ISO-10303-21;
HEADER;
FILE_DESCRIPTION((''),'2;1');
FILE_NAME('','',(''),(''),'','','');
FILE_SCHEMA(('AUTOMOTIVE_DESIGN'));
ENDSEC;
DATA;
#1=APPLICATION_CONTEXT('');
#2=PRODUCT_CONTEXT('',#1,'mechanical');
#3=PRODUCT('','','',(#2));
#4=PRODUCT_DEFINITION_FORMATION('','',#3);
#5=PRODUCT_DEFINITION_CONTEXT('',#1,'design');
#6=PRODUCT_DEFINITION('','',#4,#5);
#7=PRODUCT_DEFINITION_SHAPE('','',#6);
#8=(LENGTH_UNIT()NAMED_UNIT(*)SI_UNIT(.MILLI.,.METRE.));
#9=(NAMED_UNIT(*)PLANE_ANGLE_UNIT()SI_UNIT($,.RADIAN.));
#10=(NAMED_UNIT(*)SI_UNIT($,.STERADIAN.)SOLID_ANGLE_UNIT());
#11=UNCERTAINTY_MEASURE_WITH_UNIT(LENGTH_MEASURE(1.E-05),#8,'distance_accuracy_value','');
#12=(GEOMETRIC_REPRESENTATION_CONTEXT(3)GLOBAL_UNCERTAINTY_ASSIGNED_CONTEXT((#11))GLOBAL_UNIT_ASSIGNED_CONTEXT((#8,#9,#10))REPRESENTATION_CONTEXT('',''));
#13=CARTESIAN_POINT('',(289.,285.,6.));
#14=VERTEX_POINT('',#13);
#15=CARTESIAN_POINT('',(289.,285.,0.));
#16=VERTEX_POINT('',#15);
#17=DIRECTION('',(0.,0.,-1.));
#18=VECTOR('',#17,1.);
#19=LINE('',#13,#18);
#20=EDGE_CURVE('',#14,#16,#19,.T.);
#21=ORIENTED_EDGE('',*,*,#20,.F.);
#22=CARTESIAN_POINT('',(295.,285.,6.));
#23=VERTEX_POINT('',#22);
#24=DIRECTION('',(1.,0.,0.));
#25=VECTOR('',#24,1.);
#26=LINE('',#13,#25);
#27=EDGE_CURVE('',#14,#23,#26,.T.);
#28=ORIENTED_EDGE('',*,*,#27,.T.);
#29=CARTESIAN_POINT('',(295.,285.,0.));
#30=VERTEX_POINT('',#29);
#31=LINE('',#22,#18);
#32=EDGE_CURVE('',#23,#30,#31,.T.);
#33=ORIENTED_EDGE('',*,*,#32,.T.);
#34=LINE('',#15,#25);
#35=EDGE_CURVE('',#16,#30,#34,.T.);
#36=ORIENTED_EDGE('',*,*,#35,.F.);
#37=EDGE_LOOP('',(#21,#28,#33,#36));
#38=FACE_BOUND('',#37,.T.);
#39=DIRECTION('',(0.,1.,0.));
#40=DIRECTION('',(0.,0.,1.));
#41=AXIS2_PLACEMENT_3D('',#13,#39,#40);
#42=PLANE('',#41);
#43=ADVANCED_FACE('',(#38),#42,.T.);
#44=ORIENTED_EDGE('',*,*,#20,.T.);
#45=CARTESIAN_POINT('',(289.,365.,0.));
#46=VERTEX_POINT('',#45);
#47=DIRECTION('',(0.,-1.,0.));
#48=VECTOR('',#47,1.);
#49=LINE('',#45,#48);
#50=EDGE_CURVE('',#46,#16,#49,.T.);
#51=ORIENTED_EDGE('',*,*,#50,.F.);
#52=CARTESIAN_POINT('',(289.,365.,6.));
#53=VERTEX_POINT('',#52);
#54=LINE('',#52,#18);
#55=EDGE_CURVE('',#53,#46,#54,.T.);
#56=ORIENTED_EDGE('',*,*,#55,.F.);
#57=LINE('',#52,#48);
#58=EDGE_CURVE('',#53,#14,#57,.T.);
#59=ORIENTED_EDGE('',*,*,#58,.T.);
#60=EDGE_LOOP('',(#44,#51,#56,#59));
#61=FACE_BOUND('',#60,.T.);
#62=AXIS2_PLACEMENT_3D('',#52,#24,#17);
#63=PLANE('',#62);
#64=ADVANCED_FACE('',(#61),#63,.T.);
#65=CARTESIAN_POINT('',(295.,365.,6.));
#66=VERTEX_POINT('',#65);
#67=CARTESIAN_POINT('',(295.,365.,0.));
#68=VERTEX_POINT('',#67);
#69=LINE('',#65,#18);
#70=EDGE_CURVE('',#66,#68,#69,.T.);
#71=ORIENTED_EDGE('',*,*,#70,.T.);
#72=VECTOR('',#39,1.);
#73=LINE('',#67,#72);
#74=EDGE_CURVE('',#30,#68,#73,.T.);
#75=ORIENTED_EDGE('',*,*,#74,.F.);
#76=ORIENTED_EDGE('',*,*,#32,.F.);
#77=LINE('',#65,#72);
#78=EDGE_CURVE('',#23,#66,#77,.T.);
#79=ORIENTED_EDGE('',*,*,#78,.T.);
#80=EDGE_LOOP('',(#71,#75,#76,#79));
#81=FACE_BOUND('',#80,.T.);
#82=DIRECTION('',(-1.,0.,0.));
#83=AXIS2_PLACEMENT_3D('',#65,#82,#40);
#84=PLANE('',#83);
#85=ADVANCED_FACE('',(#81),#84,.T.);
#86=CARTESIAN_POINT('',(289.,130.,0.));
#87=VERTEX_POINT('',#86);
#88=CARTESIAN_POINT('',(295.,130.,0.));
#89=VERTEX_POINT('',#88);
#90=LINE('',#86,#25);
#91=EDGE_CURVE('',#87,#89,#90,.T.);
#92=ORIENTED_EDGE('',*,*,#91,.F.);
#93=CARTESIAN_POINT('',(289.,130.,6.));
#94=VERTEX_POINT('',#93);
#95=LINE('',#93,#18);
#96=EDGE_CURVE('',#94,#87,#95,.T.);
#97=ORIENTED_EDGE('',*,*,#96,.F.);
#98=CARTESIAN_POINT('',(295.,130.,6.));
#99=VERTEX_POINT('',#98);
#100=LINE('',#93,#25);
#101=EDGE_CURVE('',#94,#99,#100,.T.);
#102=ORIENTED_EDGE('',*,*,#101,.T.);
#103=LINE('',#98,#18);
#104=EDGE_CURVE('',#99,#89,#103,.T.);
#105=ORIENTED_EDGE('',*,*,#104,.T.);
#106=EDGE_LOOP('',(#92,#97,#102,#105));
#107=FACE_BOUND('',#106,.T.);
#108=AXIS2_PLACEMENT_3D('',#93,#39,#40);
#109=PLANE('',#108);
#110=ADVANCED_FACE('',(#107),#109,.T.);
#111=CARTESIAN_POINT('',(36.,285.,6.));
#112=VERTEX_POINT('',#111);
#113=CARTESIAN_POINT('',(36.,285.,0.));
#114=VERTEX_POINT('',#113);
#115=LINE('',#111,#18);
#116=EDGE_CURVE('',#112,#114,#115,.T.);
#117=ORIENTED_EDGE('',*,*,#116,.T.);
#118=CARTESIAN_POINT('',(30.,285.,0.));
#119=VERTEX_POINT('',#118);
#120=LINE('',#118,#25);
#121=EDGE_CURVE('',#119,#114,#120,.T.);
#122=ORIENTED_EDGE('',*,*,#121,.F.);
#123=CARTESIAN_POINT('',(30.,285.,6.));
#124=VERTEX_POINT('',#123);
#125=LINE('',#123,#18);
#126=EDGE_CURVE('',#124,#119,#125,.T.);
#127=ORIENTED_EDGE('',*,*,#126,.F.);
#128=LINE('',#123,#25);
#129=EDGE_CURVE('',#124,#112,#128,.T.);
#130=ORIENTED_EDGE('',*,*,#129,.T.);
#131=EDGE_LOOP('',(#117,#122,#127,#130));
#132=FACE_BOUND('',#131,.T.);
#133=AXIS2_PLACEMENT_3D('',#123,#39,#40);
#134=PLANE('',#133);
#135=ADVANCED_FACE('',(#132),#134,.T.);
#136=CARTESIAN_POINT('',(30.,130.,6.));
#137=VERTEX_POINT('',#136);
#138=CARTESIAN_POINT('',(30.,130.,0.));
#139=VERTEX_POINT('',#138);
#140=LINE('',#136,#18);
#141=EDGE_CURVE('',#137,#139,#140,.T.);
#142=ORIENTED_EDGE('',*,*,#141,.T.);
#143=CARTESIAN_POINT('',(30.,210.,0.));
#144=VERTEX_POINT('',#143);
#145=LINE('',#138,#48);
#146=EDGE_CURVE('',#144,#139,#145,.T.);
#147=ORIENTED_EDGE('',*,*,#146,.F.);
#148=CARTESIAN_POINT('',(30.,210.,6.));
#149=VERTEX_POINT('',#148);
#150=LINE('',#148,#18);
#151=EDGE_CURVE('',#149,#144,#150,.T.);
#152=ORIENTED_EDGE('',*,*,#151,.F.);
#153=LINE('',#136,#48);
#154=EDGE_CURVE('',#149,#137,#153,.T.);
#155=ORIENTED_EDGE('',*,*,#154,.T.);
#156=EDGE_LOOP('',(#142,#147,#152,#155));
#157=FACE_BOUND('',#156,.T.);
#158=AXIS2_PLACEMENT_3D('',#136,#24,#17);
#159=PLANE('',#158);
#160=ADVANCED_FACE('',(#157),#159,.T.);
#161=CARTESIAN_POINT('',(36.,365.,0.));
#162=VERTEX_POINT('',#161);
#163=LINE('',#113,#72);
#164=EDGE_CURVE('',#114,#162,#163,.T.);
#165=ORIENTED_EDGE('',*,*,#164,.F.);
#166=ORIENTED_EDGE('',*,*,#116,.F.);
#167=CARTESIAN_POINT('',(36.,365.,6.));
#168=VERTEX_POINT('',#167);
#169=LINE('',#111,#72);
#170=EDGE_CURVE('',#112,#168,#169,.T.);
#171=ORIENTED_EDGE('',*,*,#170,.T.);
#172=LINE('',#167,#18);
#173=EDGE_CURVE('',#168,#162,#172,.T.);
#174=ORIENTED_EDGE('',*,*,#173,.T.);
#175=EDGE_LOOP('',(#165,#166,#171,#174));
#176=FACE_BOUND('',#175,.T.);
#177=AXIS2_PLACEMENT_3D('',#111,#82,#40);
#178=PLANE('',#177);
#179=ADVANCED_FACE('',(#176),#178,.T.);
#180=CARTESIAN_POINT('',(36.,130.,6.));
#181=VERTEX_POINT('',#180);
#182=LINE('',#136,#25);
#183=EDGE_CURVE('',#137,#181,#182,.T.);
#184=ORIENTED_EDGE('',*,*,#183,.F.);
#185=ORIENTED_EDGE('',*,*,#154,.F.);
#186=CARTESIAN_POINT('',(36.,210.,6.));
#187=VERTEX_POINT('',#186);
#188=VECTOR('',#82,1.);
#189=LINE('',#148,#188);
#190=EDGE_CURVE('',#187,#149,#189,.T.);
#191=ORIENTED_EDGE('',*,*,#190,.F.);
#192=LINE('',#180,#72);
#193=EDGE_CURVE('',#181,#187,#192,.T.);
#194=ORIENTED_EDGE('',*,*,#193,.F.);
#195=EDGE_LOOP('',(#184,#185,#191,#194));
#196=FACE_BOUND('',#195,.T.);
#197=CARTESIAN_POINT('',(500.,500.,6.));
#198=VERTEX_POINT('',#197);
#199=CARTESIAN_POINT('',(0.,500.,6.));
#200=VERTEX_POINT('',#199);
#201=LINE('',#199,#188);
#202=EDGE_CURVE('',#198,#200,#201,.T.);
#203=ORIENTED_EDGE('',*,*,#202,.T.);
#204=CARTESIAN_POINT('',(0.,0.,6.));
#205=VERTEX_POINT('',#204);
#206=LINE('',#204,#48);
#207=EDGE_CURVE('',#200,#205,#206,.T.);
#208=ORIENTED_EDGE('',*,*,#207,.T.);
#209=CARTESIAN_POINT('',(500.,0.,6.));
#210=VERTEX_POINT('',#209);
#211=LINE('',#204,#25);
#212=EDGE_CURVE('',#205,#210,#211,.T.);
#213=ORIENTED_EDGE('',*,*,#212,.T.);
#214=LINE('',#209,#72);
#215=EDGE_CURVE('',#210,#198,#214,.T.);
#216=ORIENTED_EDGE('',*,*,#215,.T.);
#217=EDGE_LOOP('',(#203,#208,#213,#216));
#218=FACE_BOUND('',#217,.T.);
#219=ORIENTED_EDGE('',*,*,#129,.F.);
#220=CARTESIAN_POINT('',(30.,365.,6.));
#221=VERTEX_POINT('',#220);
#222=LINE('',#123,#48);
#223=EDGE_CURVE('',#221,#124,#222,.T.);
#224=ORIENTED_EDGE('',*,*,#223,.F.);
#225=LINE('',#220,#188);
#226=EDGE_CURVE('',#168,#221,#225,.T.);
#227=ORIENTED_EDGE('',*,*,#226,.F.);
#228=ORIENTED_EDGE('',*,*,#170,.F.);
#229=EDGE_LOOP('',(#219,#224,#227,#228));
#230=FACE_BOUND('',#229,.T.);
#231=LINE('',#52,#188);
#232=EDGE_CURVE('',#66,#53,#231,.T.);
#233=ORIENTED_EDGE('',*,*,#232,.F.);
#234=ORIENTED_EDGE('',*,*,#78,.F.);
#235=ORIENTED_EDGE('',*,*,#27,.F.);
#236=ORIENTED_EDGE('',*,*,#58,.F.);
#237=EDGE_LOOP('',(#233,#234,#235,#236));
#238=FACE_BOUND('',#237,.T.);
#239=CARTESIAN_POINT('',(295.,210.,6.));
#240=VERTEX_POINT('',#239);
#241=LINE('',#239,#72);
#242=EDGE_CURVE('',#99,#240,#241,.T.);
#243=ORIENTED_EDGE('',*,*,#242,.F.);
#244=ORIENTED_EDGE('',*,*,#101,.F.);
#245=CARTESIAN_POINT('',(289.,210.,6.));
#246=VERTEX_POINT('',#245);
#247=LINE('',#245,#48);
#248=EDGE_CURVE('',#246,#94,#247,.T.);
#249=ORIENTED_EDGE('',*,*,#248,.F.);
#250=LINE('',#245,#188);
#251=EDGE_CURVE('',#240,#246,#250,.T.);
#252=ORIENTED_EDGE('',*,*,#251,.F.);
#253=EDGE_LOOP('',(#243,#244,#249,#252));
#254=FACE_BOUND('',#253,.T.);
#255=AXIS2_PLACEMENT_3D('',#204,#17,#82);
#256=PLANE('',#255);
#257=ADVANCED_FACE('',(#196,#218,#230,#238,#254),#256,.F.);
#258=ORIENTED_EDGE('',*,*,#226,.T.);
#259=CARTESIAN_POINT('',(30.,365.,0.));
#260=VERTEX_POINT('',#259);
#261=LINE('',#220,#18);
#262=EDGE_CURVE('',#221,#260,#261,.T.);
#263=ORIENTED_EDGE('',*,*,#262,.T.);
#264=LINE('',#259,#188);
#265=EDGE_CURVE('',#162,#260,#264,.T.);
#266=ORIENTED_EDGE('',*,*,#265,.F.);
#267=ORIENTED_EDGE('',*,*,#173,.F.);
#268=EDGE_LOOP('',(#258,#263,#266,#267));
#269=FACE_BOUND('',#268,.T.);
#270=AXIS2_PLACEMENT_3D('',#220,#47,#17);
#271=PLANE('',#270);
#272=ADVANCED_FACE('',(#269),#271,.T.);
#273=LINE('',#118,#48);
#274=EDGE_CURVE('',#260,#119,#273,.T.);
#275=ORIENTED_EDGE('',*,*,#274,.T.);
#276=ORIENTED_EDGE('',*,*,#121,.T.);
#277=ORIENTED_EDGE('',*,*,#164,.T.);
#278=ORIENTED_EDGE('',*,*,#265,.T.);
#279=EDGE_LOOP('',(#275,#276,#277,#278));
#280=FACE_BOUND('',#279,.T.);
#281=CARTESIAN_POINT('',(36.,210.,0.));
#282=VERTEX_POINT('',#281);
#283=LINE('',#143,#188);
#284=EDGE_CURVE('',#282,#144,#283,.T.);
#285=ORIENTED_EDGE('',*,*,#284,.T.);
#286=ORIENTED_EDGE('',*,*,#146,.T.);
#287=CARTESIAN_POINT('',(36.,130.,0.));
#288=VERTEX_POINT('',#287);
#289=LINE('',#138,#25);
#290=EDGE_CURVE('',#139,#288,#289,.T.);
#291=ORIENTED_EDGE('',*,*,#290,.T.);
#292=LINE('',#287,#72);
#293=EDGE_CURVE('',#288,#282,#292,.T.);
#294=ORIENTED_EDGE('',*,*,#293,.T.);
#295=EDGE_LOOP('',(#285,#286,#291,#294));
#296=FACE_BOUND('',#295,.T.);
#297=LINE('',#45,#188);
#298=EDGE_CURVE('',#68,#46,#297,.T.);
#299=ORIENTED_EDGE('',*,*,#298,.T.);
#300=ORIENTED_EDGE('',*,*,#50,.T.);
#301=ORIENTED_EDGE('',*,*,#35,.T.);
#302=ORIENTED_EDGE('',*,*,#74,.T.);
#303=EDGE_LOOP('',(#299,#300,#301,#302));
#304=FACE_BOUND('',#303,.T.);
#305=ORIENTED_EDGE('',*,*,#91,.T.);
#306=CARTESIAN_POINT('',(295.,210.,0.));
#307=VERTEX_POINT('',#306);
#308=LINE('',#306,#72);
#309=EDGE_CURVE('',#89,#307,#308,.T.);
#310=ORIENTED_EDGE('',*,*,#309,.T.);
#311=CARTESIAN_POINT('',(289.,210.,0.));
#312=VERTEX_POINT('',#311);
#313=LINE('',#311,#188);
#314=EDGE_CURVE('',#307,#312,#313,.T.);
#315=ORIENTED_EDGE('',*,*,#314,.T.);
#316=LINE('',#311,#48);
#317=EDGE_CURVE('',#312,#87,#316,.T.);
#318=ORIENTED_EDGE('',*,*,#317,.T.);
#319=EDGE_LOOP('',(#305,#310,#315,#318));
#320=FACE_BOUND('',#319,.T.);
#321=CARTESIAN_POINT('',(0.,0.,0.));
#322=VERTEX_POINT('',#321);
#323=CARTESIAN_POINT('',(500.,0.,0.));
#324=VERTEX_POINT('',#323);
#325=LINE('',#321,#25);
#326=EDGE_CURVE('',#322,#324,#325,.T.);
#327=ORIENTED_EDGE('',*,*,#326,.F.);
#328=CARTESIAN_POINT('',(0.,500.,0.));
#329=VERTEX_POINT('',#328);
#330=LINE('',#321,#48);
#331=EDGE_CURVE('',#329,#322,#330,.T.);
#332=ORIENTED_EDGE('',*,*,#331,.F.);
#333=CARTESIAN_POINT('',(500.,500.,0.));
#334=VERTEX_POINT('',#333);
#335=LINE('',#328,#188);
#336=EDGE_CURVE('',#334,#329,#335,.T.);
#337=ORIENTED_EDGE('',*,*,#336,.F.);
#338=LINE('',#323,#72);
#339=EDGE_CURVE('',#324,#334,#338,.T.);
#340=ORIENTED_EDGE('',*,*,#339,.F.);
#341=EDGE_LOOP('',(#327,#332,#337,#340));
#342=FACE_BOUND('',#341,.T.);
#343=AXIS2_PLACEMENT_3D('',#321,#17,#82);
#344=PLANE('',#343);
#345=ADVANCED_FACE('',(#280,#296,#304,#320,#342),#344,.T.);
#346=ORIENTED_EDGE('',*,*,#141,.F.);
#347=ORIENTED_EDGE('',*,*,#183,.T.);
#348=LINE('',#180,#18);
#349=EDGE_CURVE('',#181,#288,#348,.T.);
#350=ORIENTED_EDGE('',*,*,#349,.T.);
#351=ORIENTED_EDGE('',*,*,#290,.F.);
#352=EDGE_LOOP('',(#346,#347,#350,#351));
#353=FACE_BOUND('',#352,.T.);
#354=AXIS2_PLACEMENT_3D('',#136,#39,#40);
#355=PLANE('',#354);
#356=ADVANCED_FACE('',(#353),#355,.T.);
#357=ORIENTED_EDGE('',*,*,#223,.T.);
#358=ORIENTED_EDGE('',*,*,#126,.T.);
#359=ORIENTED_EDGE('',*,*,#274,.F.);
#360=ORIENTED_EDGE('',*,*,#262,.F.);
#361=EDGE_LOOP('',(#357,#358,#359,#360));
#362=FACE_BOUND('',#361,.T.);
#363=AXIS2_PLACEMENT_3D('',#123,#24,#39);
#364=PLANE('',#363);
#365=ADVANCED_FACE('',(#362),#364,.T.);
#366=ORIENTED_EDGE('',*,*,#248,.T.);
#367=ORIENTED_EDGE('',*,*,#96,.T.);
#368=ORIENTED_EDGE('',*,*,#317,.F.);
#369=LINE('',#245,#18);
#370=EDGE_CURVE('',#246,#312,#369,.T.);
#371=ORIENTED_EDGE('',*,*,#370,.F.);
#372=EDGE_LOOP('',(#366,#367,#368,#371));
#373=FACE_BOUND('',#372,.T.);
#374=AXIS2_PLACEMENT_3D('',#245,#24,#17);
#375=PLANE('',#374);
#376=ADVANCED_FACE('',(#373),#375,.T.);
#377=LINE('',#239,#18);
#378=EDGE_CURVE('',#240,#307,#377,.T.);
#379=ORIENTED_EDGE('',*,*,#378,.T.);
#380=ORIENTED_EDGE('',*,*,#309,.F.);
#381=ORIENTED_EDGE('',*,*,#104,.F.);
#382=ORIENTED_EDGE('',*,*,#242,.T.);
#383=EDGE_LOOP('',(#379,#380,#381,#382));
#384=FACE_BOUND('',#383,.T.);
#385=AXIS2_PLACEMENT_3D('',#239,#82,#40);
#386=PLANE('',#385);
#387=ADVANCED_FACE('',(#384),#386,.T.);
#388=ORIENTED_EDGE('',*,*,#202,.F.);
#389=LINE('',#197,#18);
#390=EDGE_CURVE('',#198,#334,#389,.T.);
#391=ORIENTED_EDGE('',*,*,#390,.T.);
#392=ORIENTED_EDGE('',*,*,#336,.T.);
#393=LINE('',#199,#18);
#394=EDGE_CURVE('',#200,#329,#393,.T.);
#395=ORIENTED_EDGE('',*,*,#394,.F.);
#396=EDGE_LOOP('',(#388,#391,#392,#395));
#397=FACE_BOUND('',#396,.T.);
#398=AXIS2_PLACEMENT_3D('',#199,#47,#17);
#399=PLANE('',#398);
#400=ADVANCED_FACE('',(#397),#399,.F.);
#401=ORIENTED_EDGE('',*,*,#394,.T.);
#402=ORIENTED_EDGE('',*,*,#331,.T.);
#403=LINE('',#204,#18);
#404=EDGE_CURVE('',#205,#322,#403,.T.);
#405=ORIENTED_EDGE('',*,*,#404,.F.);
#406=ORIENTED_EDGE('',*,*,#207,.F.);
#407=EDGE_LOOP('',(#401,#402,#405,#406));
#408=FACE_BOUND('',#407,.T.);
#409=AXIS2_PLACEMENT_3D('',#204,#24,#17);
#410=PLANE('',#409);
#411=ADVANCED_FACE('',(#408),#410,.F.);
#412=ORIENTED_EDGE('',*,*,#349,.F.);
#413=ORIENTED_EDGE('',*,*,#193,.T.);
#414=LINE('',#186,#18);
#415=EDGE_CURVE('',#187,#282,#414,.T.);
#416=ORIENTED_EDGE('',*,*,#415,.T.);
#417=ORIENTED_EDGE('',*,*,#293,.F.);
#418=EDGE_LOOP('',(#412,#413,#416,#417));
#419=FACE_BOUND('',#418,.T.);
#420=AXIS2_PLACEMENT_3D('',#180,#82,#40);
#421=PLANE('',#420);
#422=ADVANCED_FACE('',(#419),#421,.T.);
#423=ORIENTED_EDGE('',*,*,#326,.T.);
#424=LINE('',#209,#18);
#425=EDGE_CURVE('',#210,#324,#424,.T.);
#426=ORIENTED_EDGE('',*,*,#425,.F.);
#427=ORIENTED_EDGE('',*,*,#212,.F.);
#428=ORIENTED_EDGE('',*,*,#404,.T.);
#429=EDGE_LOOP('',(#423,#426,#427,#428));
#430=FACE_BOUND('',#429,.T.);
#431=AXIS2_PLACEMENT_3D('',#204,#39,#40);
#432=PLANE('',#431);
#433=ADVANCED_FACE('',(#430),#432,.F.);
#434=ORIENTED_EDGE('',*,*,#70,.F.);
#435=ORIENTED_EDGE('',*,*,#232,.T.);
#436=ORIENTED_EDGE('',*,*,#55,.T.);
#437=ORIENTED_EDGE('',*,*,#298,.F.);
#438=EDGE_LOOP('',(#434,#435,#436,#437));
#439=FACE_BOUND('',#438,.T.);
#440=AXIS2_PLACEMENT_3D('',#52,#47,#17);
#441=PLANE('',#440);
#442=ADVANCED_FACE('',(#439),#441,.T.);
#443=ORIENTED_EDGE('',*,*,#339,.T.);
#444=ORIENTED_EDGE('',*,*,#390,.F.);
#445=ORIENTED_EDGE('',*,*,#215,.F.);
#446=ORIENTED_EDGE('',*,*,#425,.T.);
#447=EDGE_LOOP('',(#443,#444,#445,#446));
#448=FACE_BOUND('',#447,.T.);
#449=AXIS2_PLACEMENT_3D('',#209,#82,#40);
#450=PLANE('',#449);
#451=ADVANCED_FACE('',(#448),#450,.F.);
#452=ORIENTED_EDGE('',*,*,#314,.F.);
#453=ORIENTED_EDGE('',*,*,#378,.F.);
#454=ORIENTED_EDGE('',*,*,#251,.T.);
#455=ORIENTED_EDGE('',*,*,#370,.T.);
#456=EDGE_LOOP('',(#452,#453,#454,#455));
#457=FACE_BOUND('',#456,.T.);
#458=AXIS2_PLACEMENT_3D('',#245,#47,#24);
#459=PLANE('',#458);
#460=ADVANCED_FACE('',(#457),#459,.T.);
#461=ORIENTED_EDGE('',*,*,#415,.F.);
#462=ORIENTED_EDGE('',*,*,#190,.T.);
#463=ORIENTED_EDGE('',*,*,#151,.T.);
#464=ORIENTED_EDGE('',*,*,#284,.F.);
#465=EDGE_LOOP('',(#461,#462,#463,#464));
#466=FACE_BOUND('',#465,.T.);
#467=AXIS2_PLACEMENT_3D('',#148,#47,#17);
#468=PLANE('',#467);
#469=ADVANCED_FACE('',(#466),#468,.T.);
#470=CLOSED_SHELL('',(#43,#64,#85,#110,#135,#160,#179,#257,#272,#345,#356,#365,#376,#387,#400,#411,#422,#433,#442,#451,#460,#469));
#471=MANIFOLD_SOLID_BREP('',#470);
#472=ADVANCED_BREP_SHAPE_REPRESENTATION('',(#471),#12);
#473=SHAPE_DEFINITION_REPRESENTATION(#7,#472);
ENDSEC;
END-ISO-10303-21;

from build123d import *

# Parameters (mm, degrees)
ESBO_O1_W                = 500
ESBO_O1_H                = 500
ESBO_O1_W_2              = 6
ESBO_O1_H_2              = 80
RESSALTO_EXTRUS_O1_DEPTH = 6


with BuildPart() as part:
    # Esboço1 → Ressalto-extrusão1 (new body)
    with BuildSketch(Plane.XY):
        with Locations((250, 250)):
            Rectangle(ESBO_O1_W, ESBO_O1_H)
        with Locations((33, 170)):
            Rectangle(ESBO_O1_W_2, ESBO_O1_H_2, mode=Mode.SUBTRACT)
        with Locations((33, 325)):
            Rectangle(ESBO_O1_W_2, ESBO_O1_H_2, mode=Mode.SUBTRACT)
        with Locations((292, 325)):
            Rectangle(ESBO_O1_W_2, ESBO_O1_H_2, mode=Mode.SUBTRACT)
        with Locations((292, 170)):
            Rectangle(ESBO_O1_W_2, ESBO_O1_H_2, mode=Mode.SUBTRACT)
    extrude(amount=RESSALTO_EXTRUS_O1_DEPTH)


solid = part.part
